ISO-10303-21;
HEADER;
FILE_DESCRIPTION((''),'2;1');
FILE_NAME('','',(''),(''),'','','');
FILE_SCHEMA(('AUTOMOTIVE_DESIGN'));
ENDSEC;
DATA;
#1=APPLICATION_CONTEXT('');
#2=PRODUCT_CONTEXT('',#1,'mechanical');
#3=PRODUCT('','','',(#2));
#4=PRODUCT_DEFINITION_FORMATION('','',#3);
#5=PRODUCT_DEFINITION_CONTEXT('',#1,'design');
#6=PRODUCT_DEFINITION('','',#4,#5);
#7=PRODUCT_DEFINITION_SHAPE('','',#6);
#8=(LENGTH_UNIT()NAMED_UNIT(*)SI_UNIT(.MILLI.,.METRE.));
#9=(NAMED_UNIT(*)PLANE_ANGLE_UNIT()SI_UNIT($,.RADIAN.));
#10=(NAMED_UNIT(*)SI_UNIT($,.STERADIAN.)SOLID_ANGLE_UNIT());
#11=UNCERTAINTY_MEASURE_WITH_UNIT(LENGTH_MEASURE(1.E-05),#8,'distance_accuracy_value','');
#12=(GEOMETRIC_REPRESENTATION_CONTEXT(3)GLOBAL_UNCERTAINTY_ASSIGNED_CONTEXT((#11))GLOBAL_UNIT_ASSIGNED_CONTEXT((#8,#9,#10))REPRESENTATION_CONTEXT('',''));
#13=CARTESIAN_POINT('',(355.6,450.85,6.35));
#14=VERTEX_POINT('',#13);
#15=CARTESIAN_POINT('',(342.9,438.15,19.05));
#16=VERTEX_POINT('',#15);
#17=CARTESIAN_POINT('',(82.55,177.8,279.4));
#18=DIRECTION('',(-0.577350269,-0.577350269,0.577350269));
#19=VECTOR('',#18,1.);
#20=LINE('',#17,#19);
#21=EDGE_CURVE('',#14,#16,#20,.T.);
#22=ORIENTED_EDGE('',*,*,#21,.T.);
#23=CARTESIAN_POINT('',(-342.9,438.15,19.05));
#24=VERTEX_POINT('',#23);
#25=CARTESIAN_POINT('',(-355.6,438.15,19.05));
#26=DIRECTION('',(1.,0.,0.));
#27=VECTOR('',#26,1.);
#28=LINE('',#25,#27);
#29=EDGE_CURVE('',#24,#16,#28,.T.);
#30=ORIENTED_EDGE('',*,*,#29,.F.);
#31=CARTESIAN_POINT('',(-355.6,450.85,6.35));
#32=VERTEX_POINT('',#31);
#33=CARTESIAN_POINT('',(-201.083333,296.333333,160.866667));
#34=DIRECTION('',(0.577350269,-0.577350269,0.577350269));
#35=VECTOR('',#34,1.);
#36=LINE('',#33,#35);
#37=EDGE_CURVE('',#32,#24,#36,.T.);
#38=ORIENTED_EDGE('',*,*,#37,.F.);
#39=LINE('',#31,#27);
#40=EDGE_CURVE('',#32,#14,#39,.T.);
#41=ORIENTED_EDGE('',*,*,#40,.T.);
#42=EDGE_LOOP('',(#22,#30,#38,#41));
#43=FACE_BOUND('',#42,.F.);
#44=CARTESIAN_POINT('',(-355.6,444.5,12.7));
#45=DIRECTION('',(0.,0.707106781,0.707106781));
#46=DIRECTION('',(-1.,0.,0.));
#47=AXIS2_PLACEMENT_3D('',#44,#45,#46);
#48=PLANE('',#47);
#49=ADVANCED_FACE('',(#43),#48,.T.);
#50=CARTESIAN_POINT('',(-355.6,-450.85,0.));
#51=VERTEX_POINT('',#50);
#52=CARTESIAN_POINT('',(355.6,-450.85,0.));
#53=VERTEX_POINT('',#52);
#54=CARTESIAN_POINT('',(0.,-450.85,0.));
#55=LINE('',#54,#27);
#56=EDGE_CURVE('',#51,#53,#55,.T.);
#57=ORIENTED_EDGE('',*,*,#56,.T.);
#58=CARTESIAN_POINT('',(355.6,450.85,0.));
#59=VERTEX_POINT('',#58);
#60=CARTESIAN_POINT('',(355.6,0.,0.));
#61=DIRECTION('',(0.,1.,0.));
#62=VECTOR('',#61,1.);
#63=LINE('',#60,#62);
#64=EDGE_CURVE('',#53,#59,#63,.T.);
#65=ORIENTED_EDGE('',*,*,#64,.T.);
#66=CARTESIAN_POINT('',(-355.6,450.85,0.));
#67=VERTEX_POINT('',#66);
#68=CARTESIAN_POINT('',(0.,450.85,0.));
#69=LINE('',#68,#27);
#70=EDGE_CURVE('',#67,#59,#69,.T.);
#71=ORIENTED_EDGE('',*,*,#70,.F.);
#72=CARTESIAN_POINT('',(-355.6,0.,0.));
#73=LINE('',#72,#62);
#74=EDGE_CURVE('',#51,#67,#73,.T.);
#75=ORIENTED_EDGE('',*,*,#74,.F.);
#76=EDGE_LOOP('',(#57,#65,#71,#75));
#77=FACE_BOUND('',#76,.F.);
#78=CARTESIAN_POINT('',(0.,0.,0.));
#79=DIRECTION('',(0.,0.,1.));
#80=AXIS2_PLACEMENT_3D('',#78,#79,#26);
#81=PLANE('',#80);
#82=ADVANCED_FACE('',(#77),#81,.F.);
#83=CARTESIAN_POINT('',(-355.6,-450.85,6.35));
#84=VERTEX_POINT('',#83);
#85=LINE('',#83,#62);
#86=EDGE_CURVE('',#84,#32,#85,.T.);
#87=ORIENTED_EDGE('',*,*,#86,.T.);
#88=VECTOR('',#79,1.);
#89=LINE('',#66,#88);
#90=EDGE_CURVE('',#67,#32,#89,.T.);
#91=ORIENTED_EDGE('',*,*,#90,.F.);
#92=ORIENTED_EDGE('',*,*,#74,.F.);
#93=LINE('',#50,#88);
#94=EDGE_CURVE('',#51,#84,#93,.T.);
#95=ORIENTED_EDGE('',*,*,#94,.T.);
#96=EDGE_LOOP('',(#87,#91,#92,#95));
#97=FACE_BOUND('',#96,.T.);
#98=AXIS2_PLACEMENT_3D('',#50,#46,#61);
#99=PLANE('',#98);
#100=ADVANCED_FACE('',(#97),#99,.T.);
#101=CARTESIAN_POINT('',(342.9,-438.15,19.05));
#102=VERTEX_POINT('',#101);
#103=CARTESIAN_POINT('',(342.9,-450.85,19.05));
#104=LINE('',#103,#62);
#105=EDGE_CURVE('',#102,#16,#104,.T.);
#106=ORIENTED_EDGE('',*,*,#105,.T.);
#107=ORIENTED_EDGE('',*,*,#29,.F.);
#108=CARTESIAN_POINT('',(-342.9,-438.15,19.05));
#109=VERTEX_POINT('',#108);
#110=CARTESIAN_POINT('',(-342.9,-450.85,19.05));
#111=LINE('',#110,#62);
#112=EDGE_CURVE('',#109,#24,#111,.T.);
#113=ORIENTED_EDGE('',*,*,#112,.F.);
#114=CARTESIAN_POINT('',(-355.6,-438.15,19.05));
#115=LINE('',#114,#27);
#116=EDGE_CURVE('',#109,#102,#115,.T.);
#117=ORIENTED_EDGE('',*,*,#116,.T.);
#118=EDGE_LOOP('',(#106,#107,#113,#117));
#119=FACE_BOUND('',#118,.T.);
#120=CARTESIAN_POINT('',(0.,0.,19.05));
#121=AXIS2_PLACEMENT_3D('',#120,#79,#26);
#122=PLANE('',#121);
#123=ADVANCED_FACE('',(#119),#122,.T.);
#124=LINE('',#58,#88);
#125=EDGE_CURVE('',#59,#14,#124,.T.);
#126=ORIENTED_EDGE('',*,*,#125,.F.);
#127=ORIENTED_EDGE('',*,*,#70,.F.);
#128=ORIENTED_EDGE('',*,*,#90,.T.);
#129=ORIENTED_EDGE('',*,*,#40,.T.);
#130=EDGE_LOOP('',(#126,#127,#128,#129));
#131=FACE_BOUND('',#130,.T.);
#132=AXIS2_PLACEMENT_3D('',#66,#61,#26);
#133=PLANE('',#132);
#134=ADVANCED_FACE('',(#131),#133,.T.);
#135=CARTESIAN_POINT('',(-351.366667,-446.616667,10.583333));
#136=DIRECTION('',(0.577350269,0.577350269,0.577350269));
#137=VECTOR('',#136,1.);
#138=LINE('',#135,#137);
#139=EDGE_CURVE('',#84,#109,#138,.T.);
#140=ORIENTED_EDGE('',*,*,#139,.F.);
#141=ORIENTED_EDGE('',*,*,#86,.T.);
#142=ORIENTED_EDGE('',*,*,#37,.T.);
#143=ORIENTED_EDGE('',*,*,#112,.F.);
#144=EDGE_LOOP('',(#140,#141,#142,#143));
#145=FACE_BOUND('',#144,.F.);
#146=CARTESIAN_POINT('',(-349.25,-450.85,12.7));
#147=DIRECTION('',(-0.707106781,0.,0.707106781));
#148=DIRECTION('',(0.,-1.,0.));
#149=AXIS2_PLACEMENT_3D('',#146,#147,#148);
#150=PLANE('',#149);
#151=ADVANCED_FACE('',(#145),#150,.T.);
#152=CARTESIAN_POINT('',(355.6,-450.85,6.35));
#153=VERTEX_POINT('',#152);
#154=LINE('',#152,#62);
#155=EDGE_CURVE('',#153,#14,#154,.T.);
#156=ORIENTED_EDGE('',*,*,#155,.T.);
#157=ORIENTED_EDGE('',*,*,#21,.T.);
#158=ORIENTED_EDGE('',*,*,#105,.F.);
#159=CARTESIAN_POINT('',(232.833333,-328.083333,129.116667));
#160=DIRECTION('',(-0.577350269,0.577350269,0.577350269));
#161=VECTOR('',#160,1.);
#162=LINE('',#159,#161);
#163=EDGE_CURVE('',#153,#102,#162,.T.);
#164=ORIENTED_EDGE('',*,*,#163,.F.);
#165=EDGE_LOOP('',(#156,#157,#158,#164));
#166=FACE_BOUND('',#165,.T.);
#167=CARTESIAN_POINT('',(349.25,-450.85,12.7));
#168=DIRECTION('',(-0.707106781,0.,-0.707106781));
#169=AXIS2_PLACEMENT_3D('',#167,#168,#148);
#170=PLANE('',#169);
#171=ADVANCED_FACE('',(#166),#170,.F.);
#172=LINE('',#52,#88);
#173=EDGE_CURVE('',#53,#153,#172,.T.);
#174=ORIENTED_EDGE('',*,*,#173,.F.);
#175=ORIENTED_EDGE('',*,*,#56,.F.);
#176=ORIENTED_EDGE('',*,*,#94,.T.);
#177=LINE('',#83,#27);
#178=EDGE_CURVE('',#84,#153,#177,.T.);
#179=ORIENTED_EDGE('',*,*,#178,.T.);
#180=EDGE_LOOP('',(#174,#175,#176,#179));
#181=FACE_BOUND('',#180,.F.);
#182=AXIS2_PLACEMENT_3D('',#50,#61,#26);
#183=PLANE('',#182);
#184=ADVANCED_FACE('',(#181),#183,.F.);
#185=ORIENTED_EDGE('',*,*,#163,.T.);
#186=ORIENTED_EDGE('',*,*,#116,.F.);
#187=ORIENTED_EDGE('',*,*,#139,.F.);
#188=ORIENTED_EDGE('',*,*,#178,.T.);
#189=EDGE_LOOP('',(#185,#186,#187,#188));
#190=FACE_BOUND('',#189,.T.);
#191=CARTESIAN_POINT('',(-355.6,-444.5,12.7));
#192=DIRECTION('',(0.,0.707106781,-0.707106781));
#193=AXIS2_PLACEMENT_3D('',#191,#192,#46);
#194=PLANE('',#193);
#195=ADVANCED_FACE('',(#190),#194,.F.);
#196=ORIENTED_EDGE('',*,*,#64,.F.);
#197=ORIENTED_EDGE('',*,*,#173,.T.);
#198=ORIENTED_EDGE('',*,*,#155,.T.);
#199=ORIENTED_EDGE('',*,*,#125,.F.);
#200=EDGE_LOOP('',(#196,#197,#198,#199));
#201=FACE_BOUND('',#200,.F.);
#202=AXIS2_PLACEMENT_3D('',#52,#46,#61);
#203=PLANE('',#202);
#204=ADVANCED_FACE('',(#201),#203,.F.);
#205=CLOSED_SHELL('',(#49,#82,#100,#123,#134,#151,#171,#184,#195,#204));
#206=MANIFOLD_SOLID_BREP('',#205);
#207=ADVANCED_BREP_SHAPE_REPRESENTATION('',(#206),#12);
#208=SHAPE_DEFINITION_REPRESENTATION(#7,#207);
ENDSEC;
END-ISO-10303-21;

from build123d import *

# Parameters (mm, degrees)
F0_W     = 711.2
F0_H     = 901.7
F1_DEPTH = 19.05
F2_SIZE  = 12.7


with BuildPart() as f1:
    # F0 (on Top) → F1 (new body)
    with BuildSketch(Plane.XY):
        Rectangle(F0_W, F0_H)
    extrude(amount=F1_DEPTH)

    # F2
    f2_edges = [f1.edges().sort_by_distance(p)[0] for p in [
        (-355.6, 0, 19.05),
        (0, -450.85, 19.05),
        (355.6, 0, 19.05),
        (0, 450.85, 19.05),
    ]]
    chamfer(f2_edges, length=F2_SIZE)


solid = f1.part
